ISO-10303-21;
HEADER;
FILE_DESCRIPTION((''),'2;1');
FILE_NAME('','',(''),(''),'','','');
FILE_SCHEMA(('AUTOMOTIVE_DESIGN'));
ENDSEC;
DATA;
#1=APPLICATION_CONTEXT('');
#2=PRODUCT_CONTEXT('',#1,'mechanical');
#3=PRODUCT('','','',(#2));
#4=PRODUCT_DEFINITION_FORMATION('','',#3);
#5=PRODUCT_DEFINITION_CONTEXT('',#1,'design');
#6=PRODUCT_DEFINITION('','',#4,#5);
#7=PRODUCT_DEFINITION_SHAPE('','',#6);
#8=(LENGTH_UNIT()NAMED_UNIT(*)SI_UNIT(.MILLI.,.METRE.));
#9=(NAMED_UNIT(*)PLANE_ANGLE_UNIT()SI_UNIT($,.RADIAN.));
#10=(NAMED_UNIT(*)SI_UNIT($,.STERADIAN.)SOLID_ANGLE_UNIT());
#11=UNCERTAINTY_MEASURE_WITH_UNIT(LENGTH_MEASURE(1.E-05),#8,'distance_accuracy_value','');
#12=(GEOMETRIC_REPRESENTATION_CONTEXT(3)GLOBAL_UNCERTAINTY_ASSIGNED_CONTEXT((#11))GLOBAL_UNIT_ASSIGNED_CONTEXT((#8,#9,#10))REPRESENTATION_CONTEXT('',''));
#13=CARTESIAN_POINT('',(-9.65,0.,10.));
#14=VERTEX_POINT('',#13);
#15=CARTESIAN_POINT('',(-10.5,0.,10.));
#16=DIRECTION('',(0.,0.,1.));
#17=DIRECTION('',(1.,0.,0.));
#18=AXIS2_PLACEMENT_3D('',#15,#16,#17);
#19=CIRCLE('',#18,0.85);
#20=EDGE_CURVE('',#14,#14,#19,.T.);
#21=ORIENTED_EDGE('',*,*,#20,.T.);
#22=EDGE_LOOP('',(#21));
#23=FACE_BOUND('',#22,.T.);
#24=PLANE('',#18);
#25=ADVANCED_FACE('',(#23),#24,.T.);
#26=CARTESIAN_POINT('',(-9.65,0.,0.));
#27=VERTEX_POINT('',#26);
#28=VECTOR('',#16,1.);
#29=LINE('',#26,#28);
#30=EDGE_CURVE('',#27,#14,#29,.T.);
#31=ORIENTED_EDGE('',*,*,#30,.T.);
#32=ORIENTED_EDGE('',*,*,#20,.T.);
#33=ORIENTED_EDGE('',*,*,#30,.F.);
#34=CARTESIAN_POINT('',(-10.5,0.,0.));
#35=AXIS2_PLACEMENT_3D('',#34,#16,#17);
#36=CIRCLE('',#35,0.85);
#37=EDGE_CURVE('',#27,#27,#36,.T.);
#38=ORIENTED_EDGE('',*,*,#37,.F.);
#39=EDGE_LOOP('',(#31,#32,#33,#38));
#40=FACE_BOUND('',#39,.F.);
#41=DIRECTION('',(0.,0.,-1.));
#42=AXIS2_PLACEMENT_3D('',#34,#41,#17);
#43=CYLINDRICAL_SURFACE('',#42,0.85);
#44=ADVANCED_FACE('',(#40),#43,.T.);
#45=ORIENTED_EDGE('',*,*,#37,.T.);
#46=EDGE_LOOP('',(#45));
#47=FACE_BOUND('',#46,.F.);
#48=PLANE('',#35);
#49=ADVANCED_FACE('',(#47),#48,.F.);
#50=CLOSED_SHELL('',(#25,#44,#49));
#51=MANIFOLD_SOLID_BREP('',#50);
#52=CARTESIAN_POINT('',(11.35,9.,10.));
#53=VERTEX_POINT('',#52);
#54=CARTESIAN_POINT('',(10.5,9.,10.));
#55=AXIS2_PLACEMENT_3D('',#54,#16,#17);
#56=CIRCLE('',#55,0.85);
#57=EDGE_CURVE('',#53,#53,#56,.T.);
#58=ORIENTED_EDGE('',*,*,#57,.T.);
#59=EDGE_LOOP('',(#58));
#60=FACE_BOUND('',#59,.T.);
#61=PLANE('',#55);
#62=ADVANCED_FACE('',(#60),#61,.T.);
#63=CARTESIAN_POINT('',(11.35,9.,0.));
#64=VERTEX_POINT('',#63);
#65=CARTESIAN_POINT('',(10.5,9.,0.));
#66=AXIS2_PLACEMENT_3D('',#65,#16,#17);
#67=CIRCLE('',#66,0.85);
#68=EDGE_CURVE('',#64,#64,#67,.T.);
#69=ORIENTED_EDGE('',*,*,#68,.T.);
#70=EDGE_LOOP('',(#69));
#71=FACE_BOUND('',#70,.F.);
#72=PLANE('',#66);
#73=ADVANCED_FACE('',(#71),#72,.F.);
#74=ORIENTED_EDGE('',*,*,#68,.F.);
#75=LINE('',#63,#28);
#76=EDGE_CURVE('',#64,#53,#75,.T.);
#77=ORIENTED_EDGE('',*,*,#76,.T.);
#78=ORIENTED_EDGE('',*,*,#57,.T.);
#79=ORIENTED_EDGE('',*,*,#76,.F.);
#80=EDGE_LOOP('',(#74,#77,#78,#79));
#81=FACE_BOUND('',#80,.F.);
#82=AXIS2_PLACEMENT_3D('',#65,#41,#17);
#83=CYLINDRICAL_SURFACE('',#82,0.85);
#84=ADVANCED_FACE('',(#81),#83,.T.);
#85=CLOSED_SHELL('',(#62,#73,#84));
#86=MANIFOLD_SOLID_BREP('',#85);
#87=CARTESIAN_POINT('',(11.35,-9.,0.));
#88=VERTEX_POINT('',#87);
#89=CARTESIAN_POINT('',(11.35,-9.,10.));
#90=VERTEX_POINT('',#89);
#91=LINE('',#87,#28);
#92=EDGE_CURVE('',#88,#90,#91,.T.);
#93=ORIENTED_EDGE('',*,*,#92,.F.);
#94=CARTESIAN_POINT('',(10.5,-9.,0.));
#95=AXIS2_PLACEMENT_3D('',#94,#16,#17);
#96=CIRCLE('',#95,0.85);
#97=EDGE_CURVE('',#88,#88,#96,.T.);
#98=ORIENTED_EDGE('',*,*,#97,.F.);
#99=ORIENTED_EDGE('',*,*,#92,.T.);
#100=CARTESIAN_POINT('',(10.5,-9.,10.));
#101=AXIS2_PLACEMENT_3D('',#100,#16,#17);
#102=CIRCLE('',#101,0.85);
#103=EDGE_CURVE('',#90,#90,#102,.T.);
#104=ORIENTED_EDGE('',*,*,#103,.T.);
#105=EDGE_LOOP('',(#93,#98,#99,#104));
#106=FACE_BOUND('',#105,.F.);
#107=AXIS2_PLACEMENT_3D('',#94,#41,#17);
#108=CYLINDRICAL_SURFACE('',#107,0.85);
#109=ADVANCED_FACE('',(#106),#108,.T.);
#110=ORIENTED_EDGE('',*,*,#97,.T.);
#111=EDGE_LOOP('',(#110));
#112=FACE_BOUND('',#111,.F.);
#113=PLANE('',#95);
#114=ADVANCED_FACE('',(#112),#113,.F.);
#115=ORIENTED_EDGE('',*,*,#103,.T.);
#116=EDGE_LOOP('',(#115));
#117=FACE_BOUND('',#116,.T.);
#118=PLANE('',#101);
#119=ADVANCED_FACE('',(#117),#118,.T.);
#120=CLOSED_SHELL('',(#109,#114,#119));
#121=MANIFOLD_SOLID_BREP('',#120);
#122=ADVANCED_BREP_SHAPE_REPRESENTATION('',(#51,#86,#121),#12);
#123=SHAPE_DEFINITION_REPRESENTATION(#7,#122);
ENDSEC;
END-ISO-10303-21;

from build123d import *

# Parameters (mm, degrees)
CYLINDER009_R     = 0.85
CYLINDER009_DEPTH = 10
CYLINDER010_R     = 0.85
CYLINDER010_DEPTH = 10
CYLINDER011_R     = 0.85
CYLINDER011_DEPTH = 10


with BuildPart() as cylinder009:
    # Cylinder009 → Cylinder009 (new body)
    with BuildSketch(Plane(origin=(10.5, 9, 0), x_dir=(1, 0, 0), z_dir=(0, 0, 1))):
        Circle(CYLINDER009_R)
    extrude(amount=CYLINDER009_DEPTH)


with BuildPart() as cylinder010:
    # Cylinder010 → Cylinder010 (new body)
    with BuildSketch(Plane(origin=(10.5, -9, 0), x_dir=(1, 0, 0), z_dir=(0, 0, 1))):
        Circle(CYLINDER010_R)
    extrude(amount=CYLINDER010_DEPTH)


with BuildPart() as cylinder011:
    # Cylinder011 → Cylinder011 (new body)
    with BuildSketch(Plane(origin=(-10.5, 0, 0), x_dir=(1, 0, 0), z_dir=(0, 0, 1))):
        Circle(CYLINDER011_R)
    extrude(amount=CYLINDER011_DEPTH)


solid = Compound([cylinder009.part, cylinder010.part, cylinder011.part])
